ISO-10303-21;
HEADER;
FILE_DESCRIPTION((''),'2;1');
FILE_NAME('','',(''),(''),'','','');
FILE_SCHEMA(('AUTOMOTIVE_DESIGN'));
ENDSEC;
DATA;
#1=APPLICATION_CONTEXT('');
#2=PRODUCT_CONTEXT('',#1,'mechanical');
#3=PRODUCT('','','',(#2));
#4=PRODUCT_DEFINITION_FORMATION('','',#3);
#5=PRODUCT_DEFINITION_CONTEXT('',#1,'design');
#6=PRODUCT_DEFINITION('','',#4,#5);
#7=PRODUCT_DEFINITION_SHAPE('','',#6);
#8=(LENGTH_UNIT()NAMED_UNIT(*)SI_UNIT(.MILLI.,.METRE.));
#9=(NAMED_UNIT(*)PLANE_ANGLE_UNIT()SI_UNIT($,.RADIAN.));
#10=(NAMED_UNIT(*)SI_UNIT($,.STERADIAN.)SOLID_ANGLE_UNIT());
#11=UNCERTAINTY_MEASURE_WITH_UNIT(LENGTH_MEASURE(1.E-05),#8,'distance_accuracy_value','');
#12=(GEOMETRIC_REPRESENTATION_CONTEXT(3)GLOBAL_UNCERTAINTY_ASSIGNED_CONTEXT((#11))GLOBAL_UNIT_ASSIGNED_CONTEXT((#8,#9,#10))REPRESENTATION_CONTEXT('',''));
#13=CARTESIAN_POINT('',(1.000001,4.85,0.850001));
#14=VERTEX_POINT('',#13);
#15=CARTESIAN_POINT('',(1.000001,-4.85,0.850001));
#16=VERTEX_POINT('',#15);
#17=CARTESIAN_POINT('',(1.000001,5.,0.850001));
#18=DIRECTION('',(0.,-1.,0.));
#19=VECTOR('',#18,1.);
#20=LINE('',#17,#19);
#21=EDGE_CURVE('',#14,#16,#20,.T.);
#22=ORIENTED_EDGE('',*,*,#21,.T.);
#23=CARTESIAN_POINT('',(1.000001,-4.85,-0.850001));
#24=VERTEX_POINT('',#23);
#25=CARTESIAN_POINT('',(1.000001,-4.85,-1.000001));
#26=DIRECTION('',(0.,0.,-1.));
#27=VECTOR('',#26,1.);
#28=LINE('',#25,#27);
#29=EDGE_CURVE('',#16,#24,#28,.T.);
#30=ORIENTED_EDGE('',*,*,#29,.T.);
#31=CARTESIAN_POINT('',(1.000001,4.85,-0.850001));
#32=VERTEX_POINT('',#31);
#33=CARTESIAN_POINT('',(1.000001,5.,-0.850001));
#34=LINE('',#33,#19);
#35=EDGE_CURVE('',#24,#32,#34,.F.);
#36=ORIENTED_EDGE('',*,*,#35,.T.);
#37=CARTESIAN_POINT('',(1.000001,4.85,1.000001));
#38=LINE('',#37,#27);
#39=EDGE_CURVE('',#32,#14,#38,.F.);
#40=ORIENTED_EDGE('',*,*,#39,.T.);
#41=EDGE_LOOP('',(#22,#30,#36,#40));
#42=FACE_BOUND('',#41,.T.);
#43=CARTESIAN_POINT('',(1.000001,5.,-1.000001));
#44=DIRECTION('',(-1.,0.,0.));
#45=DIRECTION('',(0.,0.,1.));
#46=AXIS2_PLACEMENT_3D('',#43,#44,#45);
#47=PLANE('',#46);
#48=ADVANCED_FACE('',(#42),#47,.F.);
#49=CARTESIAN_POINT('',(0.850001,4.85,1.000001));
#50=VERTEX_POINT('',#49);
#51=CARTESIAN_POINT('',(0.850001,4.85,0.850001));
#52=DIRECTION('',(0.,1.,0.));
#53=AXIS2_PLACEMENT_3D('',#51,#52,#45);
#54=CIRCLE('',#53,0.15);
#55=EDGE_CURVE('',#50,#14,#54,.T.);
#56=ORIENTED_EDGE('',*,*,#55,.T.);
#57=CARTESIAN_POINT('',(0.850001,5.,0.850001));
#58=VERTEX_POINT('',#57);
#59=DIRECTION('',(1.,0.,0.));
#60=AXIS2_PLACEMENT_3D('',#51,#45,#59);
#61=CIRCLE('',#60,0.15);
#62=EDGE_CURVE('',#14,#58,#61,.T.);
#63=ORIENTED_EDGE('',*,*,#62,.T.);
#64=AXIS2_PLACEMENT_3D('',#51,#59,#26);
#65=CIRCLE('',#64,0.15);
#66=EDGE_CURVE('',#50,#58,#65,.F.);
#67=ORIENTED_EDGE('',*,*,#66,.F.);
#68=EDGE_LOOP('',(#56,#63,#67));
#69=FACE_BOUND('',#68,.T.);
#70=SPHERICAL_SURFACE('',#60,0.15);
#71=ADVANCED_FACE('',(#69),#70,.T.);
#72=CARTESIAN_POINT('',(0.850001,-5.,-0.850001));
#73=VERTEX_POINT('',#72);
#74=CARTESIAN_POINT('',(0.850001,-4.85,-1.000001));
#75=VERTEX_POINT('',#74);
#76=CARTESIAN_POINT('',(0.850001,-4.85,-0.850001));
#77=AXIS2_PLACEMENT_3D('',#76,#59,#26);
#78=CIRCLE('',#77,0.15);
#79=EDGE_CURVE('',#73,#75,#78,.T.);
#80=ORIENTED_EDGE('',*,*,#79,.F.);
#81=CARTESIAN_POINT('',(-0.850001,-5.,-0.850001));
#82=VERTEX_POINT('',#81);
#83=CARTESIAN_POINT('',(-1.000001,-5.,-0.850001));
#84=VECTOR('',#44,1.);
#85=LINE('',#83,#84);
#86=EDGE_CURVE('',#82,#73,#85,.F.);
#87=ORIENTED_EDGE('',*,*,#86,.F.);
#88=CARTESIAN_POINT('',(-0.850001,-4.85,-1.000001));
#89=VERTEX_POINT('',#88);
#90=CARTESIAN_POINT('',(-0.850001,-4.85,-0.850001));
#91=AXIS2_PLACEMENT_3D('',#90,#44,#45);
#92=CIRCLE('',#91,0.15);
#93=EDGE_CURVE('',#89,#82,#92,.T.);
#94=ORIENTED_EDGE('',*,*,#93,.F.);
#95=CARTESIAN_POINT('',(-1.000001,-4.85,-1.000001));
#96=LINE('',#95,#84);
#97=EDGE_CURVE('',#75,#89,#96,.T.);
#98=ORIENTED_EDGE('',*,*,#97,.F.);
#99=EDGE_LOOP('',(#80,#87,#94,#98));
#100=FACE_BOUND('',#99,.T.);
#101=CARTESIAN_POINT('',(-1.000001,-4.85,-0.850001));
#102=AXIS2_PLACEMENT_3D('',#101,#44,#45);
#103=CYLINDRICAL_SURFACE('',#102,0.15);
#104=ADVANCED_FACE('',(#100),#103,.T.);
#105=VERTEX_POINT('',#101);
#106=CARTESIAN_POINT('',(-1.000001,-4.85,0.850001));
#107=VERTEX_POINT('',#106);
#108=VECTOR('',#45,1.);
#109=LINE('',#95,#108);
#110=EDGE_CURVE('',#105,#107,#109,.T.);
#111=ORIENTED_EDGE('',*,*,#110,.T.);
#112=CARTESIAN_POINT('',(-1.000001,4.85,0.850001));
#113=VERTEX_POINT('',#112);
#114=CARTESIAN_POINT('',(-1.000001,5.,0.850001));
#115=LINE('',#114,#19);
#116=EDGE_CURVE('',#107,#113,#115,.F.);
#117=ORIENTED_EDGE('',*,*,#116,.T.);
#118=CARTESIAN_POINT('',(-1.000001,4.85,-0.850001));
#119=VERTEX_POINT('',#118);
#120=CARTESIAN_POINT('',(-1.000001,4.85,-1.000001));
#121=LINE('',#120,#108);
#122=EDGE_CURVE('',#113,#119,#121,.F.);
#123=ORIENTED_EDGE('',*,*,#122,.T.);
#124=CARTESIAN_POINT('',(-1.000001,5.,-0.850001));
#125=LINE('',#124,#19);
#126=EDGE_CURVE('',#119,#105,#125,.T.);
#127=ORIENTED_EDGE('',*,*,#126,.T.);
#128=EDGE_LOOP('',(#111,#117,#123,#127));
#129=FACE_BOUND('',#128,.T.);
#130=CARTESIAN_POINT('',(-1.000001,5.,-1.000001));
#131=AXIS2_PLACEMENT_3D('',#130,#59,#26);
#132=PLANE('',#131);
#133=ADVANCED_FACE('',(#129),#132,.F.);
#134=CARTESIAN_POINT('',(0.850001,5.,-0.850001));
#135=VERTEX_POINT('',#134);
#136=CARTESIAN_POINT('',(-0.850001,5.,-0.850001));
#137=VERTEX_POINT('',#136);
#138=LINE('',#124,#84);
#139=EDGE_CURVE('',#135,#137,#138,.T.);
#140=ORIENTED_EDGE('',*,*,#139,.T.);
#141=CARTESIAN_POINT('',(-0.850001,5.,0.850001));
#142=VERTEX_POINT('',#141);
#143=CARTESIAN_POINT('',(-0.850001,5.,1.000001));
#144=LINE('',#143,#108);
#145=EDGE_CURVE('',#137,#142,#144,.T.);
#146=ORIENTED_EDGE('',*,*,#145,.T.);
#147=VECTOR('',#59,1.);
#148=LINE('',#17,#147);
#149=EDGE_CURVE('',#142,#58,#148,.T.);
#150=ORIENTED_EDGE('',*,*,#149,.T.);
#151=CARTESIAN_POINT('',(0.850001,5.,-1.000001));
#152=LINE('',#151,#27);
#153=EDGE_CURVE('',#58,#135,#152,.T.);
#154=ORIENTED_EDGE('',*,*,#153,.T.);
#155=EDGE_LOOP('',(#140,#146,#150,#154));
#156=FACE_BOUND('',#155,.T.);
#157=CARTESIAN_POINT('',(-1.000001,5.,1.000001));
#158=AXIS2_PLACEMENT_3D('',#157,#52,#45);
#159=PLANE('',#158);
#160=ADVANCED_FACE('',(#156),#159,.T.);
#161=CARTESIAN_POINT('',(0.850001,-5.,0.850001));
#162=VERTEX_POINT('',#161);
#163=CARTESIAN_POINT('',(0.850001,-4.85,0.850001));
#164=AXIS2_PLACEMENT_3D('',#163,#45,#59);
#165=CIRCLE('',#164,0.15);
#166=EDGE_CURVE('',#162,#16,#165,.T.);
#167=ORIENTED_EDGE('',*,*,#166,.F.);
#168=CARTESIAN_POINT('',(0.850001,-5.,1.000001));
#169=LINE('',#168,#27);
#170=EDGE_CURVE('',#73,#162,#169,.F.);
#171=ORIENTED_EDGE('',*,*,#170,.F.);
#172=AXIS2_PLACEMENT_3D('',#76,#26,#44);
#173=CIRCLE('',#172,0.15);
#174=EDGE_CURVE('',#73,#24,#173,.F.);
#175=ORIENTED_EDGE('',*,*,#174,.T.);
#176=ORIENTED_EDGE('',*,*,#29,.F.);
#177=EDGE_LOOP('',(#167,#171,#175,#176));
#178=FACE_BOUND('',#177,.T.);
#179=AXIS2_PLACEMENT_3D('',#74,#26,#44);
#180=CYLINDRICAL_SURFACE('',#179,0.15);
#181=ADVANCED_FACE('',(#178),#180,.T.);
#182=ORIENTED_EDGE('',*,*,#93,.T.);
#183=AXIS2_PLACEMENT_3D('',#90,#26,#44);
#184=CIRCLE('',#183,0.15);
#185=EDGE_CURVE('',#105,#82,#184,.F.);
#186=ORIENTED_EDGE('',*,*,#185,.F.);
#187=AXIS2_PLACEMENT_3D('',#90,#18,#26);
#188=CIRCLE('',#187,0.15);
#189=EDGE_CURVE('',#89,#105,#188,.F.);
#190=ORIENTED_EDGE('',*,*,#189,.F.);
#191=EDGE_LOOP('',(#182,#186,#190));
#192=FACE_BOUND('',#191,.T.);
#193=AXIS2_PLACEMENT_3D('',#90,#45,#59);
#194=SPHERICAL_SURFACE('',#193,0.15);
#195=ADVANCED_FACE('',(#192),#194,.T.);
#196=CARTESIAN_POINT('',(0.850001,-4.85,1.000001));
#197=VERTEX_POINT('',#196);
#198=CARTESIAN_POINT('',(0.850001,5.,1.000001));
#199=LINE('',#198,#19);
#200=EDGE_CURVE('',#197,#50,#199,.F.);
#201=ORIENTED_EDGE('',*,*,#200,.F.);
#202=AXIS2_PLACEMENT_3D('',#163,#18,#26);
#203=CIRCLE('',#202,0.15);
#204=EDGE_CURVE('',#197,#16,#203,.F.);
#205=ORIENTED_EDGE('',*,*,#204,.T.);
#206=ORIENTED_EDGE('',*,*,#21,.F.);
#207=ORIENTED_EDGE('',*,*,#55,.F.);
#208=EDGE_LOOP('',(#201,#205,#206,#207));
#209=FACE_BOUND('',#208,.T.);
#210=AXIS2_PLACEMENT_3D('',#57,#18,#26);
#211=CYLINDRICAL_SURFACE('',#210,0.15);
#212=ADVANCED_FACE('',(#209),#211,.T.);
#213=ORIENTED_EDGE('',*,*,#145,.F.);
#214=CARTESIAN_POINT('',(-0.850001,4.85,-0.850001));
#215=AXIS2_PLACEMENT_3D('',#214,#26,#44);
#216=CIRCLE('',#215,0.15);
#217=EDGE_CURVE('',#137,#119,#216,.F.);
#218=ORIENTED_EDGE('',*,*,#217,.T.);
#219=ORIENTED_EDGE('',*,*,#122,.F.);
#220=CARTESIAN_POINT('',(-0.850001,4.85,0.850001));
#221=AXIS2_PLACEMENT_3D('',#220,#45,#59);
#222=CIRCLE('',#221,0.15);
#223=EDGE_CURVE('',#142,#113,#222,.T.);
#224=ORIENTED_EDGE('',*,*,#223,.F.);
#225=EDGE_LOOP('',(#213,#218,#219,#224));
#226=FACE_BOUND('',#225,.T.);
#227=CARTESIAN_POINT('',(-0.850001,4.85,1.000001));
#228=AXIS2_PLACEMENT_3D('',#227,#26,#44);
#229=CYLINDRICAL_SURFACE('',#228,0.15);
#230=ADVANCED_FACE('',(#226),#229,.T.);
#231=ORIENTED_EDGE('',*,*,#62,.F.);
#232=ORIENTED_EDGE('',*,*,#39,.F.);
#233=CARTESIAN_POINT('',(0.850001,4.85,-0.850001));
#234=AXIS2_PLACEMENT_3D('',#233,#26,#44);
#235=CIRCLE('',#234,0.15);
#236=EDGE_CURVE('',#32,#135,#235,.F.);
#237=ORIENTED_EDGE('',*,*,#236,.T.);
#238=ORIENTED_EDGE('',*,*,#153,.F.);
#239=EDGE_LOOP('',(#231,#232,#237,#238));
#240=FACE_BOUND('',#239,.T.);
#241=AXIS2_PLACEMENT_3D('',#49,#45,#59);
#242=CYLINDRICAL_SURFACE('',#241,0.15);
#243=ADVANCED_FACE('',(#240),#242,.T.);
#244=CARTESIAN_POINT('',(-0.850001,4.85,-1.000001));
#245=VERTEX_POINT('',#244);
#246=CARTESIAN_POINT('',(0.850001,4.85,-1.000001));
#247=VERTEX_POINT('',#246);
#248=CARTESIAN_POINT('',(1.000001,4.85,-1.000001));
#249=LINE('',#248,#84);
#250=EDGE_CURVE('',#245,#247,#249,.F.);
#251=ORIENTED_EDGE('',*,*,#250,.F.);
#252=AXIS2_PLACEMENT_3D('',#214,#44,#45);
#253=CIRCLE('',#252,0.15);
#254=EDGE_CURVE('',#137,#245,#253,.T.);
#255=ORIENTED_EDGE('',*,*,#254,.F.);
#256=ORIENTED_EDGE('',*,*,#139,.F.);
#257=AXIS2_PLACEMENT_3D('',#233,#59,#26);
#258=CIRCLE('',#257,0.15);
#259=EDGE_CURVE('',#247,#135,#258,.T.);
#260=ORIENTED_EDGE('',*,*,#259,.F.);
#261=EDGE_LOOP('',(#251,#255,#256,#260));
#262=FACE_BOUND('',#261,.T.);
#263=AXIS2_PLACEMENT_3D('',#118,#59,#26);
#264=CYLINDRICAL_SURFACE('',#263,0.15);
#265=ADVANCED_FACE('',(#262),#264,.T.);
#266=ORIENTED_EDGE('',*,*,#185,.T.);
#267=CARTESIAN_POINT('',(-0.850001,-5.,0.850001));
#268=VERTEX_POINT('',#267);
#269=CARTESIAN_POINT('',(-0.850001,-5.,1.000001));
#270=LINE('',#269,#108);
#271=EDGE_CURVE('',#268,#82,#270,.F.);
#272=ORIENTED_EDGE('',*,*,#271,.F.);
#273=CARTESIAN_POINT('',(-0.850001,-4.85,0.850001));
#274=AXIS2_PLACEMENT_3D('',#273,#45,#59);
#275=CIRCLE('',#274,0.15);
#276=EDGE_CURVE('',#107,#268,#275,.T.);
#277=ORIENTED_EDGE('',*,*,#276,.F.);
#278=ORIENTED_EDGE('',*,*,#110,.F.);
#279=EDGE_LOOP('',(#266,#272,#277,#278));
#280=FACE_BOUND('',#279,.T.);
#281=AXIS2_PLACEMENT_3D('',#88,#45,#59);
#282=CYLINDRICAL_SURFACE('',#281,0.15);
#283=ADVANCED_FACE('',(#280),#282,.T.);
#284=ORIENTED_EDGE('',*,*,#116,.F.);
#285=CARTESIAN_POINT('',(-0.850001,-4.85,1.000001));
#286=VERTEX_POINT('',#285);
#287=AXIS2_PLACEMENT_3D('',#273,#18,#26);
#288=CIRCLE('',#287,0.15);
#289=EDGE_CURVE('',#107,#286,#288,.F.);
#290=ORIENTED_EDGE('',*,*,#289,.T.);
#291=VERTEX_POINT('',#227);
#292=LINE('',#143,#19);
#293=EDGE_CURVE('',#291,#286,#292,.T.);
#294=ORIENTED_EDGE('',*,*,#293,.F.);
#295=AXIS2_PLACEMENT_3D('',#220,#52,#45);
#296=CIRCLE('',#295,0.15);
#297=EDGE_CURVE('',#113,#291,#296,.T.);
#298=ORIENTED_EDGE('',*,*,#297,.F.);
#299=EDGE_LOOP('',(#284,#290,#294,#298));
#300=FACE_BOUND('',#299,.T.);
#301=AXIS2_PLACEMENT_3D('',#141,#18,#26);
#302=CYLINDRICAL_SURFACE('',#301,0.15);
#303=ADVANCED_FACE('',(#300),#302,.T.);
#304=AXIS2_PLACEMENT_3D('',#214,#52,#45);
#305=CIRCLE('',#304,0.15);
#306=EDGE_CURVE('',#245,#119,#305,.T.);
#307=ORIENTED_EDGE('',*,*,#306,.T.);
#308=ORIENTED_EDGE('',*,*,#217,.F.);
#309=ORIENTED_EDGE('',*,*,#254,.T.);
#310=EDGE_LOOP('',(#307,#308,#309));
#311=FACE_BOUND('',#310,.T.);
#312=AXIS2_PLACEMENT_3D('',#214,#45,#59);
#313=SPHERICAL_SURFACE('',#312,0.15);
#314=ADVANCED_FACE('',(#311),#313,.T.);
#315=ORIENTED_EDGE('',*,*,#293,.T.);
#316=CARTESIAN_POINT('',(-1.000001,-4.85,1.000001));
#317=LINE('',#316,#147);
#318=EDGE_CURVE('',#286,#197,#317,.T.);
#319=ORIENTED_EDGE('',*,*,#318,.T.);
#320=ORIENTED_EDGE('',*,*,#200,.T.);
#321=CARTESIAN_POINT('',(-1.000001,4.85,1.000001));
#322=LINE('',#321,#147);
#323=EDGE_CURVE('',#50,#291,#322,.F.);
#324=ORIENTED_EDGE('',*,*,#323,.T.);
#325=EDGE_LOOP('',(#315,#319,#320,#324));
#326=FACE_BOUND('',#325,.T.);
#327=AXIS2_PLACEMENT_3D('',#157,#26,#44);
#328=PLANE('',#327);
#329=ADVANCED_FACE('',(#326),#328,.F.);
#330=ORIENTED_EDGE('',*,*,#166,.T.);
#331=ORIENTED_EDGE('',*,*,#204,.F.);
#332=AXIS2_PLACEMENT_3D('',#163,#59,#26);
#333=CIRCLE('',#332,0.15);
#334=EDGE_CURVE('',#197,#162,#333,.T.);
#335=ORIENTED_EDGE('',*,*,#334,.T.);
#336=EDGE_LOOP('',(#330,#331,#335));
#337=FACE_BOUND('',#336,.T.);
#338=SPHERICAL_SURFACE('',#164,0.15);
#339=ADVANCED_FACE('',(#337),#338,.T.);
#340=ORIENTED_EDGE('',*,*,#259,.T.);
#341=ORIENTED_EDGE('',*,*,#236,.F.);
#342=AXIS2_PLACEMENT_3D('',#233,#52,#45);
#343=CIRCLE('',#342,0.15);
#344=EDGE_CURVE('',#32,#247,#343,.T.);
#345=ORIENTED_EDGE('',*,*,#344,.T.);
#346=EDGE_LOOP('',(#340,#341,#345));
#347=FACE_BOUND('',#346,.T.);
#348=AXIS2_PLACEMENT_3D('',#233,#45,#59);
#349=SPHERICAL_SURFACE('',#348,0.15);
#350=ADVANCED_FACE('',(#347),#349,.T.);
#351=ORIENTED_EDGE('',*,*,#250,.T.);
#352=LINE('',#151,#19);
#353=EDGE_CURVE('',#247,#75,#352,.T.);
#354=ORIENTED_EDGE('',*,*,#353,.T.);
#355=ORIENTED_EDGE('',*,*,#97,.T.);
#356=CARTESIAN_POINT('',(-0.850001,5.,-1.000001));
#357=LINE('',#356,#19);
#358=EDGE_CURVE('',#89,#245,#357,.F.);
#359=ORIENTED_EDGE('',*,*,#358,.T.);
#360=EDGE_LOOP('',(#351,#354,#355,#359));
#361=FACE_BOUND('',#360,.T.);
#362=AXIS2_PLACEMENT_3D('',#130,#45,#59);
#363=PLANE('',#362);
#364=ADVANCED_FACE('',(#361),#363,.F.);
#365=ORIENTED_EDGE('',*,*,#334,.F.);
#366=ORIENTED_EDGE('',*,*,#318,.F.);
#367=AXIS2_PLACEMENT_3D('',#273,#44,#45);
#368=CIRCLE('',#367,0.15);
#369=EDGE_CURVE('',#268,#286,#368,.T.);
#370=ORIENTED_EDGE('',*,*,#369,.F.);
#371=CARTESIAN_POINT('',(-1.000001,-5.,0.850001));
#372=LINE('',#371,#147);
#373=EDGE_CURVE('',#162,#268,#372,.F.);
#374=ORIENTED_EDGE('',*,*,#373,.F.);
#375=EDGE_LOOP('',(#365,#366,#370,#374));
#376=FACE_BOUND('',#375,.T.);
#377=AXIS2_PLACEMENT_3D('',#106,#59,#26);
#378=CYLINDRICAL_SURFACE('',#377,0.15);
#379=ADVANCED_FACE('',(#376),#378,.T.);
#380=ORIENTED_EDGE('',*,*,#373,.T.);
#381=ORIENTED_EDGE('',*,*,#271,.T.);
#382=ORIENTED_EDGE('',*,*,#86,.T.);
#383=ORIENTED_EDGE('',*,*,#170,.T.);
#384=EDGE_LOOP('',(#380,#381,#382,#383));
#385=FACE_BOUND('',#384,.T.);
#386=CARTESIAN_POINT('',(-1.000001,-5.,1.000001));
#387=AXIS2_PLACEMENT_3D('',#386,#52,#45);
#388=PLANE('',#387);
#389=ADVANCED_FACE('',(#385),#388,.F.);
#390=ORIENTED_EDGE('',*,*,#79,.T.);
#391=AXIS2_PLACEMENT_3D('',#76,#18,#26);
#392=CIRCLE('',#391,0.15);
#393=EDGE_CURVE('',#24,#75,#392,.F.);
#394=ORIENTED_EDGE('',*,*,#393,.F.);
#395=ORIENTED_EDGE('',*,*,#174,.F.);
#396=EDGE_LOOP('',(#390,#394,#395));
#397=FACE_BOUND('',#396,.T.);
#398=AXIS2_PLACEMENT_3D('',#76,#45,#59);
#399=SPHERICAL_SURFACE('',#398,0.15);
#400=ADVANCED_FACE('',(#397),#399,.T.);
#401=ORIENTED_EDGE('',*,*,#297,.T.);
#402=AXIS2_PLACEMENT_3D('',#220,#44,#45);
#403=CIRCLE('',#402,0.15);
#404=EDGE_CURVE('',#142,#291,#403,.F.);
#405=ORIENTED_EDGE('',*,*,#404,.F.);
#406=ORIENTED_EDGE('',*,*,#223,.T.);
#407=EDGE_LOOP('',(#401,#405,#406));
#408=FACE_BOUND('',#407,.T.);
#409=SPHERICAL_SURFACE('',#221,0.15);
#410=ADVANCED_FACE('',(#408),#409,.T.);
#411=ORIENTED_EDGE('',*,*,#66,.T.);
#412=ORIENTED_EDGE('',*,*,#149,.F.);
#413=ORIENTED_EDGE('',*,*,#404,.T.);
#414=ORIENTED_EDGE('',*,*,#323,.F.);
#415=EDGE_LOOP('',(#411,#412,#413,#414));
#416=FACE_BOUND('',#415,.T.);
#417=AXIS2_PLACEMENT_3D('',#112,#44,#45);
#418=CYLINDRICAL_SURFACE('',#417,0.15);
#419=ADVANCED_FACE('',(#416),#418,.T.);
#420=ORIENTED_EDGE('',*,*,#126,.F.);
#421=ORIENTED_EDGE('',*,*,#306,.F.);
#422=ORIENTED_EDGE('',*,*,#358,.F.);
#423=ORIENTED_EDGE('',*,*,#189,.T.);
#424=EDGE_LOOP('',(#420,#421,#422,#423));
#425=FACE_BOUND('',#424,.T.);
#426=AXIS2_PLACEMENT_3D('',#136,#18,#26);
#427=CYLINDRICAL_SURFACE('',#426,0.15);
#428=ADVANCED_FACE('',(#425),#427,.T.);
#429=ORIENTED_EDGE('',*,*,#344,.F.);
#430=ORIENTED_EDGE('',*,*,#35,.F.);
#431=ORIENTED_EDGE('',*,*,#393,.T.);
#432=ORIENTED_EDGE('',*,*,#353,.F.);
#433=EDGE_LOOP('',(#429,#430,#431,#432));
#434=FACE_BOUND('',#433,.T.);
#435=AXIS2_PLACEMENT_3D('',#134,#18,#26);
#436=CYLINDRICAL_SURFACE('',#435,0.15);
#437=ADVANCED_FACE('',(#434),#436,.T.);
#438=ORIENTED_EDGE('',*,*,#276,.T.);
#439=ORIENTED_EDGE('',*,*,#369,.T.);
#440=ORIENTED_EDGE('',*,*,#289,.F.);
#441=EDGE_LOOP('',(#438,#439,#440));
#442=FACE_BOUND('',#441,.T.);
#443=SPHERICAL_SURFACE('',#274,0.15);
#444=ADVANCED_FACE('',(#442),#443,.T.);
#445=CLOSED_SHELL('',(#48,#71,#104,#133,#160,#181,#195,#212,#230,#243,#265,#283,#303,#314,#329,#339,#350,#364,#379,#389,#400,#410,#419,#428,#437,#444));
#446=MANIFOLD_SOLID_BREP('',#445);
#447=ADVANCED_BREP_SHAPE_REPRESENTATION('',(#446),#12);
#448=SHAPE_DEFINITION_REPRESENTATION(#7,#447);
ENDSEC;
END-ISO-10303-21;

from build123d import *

# Parameters (mm, degrees)
SKETCH1_W      = 2.00000108
SKETCH1_H      = 2.00000108
EXTRUDE2_DEPTH = 5
FILLET2_R      = 0.15


with BuildPart() as part:
    # Sketch1 → Extrude2 (new body, symmetric)
    with BuildSketch(Plane(origin=(0, 0, 0), x_dir=(1, 0, 0), z_dir=(0, 1, 0))):
        Rectangle(SKETCH1_W, SKETCH1_H)
    extrude(amount=EXTRUDE2_DEPTH, both=True)

    # Fillet2
    fillet2_edges = [part.edges().sort_by_distance(p)[0] for p in [
        (1.00000054, 5, 0),
        (0, 5, -1.00000054),
        (-1.00000054, 5, 0),
        (0, -5, -1.00000054),
        (1.00000054, -5, 0),
        (0, -5, 1.00000054),
        (-1.00000054, -5, 0),
        (0, 5, 1.00000054),
        (-1.00000054, 0, -1.00000054),
        (1.00000054, 0, -1.00000054),
        (1.00000054, 0, 1.00000054),
        (-1.00000054, 0, 1.00000054),
    ]]
    fillet(fillet2_edges, radius=FILLET2_R)


solid = part.part
